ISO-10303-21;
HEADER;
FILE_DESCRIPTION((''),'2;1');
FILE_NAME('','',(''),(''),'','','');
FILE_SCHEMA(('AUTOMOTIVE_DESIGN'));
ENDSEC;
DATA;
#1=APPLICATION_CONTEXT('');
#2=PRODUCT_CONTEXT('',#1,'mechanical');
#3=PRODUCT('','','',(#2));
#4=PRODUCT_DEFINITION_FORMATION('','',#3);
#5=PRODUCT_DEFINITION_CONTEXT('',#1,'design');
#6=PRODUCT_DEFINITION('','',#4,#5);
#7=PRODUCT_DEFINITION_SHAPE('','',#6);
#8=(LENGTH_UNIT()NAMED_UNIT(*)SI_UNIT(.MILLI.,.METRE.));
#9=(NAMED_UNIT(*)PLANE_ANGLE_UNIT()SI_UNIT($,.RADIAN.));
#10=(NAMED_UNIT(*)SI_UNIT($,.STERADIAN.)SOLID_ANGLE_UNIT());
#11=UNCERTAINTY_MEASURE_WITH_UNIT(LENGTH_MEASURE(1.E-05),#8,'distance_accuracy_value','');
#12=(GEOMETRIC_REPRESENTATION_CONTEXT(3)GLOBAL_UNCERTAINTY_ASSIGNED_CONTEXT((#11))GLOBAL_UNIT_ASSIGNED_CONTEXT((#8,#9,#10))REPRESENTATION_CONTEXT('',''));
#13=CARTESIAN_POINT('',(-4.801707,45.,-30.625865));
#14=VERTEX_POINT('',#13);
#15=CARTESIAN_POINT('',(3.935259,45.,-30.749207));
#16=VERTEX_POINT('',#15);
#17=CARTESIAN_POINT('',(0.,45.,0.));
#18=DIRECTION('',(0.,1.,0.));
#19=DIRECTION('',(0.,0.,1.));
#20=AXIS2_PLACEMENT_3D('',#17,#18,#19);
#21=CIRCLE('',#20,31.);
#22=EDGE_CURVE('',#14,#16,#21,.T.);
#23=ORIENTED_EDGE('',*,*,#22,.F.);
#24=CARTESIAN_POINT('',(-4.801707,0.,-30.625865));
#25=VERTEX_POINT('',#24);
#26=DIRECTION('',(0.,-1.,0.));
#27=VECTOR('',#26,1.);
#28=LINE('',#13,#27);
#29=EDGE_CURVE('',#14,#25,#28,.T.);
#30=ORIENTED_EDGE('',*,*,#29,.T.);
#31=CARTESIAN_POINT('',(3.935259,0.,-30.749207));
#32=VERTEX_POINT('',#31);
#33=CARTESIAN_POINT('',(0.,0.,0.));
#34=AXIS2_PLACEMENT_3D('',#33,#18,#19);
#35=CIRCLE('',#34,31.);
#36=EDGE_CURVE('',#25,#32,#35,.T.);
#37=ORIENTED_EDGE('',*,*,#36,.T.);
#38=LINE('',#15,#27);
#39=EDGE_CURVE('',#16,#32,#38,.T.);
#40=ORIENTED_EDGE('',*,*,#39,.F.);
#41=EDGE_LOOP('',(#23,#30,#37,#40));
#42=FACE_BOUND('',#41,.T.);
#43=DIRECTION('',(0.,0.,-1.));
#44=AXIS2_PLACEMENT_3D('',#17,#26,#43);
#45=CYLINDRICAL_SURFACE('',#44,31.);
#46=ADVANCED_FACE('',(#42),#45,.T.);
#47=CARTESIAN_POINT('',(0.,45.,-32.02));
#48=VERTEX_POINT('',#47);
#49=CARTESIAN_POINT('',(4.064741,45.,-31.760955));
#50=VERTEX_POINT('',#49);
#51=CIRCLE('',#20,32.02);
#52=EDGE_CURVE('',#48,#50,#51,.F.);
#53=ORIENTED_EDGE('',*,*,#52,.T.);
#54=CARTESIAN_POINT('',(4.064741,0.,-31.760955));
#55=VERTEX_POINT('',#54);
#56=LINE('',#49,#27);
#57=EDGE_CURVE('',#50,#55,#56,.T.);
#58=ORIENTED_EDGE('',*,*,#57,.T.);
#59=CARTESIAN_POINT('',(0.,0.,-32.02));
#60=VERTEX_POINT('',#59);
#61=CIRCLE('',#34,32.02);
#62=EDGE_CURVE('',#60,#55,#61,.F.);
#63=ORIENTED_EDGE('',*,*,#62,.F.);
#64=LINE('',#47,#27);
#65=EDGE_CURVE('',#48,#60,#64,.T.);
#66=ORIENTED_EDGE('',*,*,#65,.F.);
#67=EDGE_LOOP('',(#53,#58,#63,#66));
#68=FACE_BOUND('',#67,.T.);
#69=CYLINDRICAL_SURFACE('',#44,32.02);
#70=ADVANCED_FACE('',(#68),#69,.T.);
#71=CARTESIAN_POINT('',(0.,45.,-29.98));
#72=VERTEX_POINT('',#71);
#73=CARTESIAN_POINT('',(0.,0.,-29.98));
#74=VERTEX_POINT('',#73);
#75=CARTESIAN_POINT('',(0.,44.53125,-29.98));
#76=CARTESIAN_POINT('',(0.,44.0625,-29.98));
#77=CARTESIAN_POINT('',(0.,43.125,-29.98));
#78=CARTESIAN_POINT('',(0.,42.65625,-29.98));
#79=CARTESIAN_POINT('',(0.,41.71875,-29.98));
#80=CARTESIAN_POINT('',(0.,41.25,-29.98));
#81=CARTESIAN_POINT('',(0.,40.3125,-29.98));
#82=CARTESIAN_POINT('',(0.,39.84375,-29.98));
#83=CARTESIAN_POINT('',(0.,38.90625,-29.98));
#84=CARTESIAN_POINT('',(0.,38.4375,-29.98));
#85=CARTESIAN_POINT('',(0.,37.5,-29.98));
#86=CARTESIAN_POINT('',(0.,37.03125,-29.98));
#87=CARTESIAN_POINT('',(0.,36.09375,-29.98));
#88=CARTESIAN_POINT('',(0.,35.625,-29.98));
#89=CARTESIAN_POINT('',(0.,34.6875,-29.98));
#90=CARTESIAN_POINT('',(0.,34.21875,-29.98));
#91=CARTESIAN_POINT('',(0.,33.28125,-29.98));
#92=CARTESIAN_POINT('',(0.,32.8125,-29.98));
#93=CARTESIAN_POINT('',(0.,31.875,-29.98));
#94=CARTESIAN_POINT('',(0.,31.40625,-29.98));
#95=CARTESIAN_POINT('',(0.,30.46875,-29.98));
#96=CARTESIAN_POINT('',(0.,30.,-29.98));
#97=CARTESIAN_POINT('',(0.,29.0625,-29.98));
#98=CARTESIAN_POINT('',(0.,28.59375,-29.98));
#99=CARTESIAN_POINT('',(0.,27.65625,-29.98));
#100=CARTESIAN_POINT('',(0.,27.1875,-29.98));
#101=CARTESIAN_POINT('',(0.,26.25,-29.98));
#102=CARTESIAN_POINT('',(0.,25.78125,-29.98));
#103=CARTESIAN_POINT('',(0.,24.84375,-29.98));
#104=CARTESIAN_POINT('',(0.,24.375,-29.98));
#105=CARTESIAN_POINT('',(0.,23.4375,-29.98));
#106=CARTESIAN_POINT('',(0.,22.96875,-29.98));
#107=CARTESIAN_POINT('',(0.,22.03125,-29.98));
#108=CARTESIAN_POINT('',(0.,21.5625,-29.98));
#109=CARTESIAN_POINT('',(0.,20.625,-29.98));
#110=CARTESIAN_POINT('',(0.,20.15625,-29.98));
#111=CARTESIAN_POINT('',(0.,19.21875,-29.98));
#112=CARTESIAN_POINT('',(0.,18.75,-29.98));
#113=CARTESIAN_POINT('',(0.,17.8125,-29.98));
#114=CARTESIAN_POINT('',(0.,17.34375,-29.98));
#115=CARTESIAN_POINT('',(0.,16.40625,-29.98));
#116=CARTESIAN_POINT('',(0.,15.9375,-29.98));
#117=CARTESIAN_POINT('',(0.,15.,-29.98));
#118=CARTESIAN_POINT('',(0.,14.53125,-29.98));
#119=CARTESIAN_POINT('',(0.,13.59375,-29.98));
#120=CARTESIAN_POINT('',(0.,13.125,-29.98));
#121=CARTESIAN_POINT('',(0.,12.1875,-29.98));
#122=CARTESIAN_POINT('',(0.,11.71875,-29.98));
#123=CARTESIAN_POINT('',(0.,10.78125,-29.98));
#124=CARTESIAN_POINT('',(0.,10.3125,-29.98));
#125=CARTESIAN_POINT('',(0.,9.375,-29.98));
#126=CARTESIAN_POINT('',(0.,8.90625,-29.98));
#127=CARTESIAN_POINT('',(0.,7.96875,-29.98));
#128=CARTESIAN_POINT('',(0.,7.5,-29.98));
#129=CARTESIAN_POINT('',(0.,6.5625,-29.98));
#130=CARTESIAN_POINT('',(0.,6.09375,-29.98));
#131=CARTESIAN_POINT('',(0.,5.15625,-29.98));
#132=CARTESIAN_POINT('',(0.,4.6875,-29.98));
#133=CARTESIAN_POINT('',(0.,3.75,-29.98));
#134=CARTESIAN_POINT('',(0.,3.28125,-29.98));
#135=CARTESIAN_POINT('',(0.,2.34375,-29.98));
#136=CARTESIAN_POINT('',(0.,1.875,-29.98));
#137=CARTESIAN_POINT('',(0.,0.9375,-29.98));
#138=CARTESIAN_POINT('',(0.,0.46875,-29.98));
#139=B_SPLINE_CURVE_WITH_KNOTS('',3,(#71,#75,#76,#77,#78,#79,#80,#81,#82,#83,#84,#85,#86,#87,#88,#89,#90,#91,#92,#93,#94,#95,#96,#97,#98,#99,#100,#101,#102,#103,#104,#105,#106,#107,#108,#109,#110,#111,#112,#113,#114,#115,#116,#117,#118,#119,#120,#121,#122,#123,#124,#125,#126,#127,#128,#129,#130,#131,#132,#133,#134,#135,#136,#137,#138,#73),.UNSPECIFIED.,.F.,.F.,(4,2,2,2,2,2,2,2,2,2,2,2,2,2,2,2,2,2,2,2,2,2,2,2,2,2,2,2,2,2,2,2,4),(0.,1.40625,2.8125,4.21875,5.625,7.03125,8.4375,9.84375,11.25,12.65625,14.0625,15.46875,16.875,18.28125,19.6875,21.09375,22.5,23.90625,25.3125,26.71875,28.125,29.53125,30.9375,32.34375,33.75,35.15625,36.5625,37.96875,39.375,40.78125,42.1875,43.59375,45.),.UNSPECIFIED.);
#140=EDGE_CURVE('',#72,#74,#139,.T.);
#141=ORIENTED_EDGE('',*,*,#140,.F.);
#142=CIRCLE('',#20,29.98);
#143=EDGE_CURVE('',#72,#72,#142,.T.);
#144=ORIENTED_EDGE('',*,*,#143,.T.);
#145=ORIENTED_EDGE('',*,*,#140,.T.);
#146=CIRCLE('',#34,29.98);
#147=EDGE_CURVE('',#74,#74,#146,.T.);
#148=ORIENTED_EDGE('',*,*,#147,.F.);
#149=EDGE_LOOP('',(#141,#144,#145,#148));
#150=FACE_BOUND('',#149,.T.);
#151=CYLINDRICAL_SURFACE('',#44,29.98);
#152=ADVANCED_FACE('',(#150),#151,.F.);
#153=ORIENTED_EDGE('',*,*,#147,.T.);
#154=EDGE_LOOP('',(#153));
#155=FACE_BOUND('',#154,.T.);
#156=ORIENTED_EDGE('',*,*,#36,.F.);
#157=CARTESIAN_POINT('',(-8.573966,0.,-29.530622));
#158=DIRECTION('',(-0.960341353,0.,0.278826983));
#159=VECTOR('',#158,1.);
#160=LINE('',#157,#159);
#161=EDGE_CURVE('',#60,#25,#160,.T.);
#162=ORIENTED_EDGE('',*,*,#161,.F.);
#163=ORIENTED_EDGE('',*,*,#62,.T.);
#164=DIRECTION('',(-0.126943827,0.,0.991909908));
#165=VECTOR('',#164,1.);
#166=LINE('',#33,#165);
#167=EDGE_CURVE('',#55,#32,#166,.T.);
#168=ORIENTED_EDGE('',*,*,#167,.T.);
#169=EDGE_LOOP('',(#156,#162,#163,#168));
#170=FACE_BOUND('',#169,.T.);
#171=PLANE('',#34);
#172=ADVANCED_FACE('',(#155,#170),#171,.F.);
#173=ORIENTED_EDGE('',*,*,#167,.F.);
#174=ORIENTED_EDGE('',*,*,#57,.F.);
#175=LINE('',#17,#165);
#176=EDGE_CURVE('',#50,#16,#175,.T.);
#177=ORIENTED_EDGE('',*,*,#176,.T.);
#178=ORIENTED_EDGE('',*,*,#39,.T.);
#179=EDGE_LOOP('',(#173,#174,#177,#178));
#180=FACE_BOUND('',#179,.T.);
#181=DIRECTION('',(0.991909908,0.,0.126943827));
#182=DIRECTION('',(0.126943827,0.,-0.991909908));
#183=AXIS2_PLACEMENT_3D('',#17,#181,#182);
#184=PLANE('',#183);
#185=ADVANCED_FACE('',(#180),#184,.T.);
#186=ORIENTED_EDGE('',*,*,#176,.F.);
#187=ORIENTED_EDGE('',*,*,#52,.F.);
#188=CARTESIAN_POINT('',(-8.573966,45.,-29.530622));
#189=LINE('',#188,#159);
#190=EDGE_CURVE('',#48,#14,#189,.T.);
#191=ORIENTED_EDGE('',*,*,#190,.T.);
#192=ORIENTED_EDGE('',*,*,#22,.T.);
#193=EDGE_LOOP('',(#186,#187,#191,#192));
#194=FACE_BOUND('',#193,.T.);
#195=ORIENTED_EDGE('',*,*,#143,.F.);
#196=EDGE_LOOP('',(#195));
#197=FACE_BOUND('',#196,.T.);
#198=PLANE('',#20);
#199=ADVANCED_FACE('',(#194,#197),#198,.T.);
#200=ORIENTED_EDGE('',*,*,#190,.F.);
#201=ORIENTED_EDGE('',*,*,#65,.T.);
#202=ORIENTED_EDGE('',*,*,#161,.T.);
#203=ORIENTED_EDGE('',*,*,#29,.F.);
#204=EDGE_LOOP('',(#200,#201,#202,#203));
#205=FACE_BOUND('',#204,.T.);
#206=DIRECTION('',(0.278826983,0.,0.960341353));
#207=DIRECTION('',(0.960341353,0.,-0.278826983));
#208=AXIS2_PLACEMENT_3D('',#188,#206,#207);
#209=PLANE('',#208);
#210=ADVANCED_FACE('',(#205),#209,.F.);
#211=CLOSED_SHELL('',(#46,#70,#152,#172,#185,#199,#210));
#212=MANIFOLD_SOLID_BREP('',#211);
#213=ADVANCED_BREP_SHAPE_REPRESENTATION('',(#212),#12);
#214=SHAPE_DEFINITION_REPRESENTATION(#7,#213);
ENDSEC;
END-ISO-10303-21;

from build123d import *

# Parameters (mm, degrees)
SKETCH1_R           = 31
SKETCH1_R_2         = 29.98
BOSS_EXTRUDE1_DEPTH = 45


with BuildPart() as part:
    # Sketch1 → Boss-Extrude1 (new body)
    # profile 1 of 3: a face of its own
    with BuildSketch(Plane(origin=(0, 0, 0), x_dir=(1, 0, 0), z_dir=(0, 1, 0))):
        with BuildLine():
            Line((0, 32.02), (0, 31))
            ThreePointArc((0, 31), (1.971621014, 30.937238251), (3.935258648, 30.749207134))
            Line((3.935258648, 30.749207134), (4.064741352, 31.76095524))
            ThreePointArc((4.064741352, 31.76095524), (2.036493705, 31.955173187), (0, 32.02))
        make_face()
    # profile 2 of 3: a face of its own
    with BuildSketch(Plane(origin=(0, 0, 0), x_dir=(1, 0, 0), z_dir=(0, 1, 0))):
        with BuildLine():
            ThreePointArc((-4.801706763, 30.625865084), (-2.408130228, 30.906324738), (0, 31))
            Line((0, 31), (0, 32.02))
            Line((0, 32.02), (-4.801706763, 30.625865084))
        make_face()
    # profile 3 of 3: a face of its own
    with BuildSketch(Plane(origin=(0, 0, 0), x_dir=(1, 0, 0), z_dir=(0, 1, 0))):
        Circle(SKETCH1_R)
        with Locations(Location((0, 0, 0), (0, 0, 90))):
            Circle(SKETCH1_R_2, mode=Mode.SUBTRACT)
    extrude(amount=BOSS_EXTRUDE1_DEPTH)


solid = part.part
